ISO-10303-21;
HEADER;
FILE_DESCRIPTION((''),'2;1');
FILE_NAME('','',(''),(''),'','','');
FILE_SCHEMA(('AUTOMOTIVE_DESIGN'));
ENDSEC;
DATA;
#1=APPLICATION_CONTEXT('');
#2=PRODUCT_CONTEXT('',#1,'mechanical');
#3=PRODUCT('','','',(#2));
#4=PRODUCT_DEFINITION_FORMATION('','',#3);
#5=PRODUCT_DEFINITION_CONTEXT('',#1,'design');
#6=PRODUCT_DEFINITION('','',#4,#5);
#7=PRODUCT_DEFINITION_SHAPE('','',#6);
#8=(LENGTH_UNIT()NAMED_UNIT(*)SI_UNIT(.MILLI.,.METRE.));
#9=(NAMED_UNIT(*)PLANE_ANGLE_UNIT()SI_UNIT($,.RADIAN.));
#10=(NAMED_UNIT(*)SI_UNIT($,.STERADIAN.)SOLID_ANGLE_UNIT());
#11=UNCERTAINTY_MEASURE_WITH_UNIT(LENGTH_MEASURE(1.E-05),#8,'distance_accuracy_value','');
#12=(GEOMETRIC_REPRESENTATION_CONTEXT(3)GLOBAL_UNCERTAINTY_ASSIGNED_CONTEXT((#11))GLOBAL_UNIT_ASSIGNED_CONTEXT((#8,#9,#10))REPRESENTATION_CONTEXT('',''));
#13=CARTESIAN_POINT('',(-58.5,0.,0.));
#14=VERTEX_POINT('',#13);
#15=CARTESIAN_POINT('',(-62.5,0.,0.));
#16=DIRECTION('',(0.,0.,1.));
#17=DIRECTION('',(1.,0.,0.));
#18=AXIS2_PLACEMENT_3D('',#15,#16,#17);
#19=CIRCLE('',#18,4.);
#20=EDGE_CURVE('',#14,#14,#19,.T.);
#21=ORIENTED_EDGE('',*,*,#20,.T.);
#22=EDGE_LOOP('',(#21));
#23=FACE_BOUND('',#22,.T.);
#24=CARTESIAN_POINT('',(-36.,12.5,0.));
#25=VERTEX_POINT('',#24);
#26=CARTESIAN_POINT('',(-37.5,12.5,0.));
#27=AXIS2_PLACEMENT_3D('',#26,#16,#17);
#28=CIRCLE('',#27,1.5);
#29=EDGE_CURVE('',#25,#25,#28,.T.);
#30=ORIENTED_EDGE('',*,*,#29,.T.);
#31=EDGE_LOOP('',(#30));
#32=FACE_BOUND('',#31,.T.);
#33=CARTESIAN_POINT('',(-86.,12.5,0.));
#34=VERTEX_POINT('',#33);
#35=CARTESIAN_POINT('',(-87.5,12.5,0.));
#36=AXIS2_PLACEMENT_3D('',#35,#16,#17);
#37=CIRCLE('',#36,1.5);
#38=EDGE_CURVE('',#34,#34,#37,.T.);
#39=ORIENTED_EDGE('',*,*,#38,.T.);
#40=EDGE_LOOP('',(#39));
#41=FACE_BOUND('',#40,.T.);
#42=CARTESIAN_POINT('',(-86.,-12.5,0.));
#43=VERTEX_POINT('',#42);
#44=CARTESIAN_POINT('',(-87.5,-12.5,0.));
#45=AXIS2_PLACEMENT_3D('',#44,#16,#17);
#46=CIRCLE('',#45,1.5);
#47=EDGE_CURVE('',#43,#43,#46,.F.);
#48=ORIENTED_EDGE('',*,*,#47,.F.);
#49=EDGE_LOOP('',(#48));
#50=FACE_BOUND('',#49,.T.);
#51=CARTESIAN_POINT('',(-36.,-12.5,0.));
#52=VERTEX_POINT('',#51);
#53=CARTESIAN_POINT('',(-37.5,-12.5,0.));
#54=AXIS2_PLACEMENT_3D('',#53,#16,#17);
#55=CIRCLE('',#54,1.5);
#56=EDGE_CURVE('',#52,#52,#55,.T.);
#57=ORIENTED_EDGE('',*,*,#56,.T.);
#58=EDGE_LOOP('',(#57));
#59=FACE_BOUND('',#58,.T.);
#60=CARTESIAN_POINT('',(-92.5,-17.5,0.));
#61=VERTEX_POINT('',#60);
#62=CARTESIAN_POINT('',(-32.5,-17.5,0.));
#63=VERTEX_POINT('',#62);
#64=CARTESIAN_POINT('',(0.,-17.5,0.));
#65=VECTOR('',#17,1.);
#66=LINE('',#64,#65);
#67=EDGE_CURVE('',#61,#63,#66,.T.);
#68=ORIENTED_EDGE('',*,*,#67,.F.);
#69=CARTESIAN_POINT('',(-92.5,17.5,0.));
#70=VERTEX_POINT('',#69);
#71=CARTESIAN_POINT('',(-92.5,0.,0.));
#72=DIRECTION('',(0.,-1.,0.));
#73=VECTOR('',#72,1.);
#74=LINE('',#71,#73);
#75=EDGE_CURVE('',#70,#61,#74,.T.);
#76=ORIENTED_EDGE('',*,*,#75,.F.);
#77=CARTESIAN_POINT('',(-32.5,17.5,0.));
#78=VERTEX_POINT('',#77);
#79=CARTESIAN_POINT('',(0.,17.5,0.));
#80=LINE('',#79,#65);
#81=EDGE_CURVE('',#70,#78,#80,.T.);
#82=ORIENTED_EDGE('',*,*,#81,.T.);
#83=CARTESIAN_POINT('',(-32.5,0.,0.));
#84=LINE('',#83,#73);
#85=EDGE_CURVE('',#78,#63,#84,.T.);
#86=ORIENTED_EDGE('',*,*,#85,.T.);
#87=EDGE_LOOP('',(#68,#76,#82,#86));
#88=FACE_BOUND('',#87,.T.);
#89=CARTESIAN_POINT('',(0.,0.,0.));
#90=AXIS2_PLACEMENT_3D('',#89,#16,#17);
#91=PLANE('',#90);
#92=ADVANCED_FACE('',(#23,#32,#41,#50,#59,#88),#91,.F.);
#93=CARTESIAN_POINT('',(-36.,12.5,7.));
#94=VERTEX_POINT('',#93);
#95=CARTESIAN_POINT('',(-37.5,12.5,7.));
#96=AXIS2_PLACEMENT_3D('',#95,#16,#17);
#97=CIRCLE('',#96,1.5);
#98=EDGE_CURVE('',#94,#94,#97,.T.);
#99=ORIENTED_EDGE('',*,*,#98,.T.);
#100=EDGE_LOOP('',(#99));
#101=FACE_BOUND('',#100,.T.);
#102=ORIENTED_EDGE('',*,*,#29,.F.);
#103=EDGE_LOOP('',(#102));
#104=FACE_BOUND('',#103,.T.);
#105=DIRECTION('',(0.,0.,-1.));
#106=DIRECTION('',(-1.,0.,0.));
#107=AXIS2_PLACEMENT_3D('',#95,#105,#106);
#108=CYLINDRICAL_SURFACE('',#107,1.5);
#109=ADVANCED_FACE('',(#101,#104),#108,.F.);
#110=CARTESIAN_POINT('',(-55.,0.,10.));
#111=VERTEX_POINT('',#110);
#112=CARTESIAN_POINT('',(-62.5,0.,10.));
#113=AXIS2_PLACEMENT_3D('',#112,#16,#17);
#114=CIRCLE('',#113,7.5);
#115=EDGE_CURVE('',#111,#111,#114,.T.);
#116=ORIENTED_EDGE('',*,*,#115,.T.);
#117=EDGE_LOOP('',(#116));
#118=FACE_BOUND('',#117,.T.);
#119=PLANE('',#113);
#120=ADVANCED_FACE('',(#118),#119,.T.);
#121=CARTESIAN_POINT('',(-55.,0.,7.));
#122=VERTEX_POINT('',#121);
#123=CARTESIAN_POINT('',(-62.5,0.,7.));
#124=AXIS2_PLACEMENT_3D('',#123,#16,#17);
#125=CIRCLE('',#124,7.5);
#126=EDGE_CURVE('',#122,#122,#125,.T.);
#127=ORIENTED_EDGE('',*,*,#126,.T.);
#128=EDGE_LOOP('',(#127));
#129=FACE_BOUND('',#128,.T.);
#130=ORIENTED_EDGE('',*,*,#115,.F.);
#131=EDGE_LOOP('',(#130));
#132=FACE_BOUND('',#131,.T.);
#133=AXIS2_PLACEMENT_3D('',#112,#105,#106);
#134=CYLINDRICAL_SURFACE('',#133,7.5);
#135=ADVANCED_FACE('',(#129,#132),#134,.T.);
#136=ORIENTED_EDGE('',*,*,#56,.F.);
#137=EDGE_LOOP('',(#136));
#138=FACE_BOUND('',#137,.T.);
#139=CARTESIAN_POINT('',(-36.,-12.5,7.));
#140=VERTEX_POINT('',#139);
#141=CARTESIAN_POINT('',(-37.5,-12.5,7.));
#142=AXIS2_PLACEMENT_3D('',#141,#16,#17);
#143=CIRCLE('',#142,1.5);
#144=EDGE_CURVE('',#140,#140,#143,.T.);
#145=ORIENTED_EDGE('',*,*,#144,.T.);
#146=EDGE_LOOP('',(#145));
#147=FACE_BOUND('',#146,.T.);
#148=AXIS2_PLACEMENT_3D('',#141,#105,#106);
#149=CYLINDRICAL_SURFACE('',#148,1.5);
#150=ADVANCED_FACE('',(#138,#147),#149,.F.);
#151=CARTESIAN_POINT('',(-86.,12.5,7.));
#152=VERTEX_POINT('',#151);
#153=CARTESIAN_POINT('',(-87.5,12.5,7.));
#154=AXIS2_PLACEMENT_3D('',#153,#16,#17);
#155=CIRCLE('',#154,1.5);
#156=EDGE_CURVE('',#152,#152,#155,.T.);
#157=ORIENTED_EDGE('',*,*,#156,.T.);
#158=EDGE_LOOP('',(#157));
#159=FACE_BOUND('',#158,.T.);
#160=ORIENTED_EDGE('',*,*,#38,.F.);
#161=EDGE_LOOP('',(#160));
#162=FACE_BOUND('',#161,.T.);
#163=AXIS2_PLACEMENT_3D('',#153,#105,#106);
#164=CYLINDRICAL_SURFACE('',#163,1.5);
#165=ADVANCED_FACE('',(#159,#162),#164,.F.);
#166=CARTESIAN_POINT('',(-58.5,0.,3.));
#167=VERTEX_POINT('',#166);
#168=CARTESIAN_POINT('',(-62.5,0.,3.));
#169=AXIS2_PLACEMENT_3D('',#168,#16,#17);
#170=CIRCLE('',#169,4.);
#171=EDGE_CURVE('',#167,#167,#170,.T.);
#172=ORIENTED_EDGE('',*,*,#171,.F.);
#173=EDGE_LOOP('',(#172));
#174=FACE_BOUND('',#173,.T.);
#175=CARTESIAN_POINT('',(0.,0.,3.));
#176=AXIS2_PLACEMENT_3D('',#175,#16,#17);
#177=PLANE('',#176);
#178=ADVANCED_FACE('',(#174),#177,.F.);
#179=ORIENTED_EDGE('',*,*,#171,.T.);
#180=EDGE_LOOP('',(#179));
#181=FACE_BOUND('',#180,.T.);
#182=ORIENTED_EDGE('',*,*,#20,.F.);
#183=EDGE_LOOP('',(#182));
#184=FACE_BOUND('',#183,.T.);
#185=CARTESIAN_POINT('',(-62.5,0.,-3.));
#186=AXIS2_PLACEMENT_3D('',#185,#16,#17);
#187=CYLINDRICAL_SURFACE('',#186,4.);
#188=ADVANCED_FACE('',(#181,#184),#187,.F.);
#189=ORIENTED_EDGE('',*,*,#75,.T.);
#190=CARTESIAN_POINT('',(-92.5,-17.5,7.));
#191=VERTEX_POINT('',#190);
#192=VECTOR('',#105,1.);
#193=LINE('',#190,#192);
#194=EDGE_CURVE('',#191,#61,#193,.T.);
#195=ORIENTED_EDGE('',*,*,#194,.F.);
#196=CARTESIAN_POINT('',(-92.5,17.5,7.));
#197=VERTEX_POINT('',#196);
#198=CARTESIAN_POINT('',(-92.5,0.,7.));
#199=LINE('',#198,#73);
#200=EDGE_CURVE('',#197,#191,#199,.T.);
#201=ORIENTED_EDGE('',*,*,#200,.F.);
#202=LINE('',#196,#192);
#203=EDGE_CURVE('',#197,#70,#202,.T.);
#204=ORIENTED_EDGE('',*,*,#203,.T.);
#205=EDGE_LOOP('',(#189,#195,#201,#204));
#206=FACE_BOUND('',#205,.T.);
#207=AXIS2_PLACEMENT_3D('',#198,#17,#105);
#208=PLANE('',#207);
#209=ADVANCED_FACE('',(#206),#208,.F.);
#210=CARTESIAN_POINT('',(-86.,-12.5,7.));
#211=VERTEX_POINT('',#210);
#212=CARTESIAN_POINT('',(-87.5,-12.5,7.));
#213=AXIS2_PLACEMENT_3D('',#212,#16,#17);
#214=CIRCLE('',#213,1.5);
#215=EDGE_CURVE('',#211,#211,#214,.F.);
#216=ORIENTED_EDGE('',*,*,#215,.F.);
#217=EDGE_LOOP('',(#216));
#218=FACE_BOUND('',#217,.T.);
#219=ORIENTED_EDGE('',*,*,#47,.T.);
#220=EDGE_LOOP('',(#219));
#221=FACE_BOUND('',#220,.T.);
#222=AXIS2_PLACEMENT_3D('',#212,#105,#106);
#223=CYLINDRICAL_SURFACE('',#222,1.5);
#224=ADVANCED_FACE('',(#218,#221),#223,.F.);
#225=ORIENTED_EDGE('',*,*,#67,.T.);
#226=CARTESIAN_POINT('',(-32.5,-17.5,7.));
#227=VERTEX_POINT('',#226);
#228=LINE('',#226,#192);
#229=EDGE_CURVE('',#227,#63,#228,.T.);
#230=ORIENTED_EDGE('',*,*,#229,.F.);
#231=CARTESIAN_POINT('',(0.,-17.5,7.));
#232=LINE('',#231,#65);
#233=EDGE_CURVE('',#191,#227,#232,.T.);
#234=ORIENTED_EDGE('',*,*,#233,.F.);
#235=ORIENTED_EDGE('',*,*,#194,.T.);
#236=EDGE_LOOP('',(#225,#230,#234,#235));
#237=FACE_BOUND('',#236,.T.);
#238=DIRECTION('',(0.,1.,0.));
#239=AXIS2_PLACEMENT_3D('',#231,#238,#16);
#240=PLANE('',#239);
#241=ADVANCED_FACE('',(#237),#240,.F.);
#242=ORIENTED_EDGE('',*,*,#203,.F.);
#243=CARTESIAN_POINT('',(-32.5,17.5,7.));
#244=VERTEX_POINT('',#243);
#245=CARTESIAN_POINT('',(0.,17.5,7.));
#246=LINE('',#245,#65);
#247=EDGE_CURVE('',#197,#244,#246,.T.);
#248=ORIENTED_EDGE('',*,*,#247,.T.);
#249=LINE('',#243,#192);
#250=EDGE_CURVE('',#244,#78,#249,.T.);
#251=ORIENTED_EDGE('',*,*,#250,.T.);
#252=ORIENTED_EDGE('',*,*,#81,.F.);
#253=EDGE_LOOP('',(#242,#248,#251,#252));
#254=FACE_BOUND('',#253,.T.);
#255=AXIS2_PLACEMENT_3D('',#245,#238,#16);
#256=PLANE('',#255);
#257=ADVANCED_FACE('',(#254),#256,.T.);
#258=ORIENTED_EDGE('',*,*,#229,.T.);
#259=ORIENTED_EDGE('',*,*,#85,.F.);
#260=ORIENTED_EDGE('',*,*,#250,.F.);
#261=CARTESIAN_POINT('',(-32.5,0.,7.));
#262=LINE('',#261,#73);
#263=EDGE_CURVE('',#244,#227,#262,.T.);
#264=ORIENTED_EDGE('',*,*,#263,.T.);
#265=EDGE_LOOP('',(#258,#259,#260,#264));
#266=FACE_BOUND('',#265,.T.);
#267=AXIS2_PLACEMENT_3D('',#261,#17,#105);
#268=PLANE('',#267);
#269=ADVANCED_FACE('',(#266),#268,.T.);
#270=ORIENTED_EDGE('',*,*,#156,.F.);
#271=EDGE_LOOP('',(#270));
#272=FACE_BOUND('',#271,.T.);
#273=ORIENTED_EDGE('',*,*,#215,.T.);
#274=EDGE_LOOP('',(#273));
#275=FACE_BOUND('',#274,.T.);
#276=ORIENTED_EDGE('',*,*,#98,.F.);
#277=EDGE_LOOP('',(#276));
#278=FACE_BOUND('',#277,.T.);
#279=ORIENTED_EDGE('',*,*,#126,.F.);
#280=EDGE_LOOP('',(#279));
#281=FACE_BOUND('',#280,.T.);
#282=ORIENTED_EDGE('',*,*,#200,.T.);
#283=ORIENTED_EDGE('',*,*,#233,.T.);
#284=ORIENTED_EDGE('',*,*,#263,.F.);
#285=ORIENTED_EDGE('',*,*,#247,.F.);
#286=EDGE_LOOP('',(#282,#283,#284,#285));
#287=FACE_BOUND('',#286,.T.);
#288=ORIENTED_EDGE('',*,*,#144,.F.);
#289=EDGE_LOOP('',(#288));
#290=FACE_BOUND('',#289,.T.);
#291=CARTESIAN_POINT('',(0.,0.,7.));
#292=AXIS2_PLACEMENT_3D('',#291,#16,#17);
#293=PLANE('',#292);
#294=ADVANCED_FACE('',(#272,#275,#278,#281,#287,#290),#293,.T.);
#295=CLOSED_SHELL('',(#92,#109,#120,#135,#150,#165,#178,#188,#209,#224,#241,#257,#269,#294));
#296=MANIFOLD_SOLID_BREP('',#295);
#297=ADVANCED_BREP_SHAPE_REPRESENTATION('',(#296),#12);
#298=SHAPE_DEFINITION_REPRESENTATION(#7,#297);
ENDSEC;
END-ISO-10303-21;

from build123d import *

# Parameters (mm, degrees)
SKETCH1_R               = 1.5
BOSS_EXTRUDE1_DEPTH     = 7
SKETCH5_R               = 7.5
BOSS_EXTRUDE5_DEPTH     = 3
CUT_EXTRUDE1_DEPTH      = 3
CUT_EXTRUDE1_DEPTH_BACK = 3
SKETCH1_3_R             = 4


with BuildPart() as part:
    # Sketch1 → Boss-Extrude1 (new body)
    with BuildSketch(Plane.XY):
        Polygon((-32.5, 17.5), (-92.5, 17.5), (-92.5, 0), (-92.5, -17.5), (-32.5, -17.5), align=None)
        with Locations((-87.5, -12.5)):
            Circle(SKETCH1_R, mode=Mode.SUBTRACT)
        with Locations((-37.5, -12.5)):
            Circle(SKETCH1_R, mode=Mode.SUBTRACT)
        with Locations((-87.5, 12.5)):
            Circle(SKETCH1_R, mode=Mode.SUBTRACT)
        with Locations((-37.5, 12.5)):
            Circle(SKETCH1_R, mode=Mode.SUBTRACT)
    extrude(amount=BOSS_EXTRUDE1_DEPTH)

    # Sketch5 → Boss-Extrude5 (add)
    with BuildSketch(Plane.XY.offset(7)):
        with Locations((-62.5, 0)):
            Circle(SKETCH5_R)
    extrude(amount=BOSS_EXTRUDE5_DEPTH)

    # Sketch1<3> → Cut-Extrude1 (cut, two sides: drawn at the far end of the back side and taken through both)
    with BuildSketch(Plane.XY.offset(-CUT_EXTRUDE1_DEPTH_BACK)):
        with Locations((-62.5, 0)):
            Circle(SKETCH1_3_R)
    extrude(amount=CUT_EXTRUDE1_DEPTH + CUT_EXTRUDE1_DEPTH_BACK, mode=Mode.SUBTRACT)


solid = part.part
